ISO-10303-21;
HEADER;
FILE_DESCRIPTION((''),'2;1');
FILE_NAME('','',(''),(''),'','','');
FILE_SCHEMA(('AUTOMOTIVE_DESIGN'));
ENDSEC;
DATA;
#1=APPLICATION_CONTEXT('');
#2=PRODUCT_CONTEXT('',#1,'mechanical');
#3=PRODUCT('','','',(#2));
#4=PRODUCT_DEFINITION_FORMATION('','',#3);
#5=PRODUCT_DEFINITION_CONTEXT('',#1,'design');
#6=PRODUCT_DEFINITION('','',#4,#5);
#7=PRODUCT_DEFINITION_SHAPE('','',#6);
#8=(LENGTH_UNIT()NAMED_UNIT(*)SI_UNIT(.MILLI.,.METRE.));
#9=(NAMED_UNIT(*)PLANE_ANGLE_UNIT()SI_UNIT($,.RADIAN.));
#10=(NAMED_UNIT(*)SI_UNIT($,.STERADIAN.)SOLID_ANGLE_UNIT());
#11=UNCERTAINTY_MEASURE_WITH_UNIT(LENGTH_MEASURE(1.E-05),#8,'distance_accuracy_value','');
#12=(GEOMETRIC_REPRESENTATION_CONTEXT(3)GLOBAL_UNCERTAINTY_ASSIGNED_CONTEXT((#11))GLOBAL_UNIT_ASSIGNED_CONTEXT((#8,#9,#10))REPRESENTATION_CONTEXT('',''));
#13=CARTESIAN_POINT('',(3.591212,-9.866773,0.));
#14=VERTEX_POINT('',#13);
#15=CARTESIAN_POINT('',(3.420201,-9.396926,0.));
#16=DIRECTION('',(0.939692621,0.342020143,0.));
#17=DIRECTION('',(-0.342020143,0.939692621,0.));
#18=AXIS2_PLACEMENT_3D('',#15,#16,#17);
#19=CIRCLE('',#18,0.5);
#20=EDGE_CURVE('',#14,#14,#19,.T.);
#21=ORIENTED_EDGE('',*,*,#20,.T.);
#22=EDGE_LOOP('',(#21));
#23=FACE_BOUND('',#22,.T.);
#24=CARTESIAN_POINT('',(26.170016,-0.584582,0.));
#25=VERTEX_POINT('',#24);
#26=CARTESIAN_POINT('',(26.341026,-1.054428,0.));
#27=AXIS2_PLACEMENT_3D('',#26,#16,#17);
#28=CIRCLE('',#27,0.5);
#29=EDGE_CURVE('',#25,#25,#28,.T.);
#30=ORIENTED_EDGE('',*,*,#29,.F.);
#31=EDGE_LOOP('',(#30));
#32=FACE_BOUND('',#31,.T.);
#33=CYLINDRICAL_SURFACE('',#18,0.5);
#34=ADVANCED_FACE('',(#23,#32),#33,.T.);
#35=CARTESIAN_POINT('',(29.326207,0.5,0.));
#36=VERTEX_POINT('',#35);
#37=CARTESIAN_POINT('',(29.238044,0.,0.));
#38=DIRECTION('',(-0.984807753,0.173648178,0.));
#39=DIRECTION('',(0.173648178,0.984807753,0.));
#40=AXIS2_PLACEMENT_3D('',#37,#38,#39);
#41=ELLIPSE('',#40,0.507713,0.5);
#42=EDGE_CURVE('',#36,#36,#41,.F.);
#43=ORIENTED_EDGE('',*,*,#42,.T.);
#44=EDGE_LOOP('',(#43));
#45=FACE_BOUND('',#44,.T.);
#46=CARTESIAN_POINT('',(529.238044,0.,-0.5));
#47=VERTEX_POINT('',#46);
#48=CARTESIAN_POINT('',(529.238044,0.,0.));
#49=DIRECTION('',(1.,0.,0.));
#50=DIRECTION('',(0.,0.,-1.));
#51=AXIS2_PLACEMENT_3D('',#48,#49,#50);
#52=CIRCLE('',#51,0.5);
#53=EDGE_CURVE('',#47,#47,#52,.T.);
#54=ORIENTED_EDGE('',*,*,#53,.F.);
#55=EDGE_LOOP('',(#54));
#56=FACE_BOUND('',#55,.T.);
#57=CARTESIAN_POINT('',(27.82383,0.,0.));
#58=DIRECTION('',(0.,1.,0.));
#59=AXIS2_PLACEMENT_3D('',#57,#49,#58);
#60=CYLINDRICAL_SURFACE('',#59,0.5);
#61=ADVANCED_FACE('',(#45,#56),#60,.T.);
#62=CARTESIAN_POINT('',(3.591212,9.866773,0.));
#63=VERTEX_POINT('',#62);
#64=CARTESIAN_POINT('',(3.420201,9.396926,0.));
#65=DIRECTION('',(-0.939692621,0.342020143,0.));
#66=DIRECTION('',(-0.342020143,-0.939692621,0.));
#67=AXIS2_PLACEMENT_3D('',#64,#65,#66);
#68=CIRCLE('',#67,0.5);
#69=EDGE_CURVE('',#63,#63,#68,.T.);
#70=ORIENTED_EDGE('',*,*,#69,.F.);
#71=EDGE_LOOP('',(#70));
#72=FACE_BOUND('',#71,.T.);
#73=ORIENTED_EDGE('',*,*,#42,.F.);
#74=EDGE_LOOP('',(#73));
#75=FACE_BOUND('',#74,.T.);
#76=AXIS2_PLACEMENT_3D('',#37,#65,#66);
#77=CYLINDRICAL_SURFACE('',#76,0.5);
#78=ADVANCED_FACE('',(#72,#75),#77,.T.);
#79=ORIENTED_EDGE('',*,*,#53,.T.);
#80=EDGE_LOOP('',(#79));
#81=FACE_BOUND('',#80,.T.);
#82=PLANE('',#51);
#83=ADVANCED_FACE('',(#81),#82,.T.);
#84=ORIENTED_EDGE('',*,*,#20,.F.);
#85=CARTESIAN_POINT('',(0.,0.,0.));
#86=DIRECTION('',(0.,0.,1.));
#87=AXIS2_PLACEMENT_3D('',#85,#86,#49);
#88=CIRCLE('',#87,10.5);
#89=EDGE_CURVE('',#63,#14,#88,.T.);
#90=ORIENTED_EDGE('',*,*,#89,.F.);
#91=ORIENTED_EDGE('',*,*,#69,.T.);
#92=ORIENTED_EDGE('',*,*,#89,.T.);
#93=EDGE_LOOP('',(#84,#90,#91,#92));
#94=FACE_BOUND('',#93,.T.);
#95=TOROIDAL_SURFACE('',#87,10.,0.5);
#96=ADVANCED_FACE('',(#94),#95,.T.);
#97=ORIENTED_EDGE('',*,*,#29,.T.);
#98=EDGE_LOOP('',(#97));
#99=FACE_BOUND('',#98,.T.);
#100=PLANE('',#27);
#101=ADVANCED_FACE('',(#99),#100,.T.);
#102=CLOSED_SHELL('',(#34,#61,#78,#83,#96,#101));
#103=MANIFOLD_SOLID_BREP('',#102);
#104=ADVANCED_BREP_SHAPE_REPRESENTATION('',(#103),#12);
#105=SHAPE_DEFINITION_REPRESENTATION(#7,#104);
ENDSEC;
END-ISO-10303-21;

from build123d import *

# Parameters (mm, degrees)
ESQUISSE3_R = 0.5


with BuildPart() as part:
    # Balayage2: sweep along a path in Esquisse1
    with BuildLine(Plane.XY) as balayage2_path:
        Line((529.238044002, 0), (29.238044002, 0))
        Line((29.238044002, 0), (3.420201433, 9.396926208))
        ThreePointArc((3.420201433, 9.396926208), (-10, 0), (3.420201433, -9.396926208))
        Line((3.420201433, -9.396926208), (26.341026343, -1.054428196))
    # Esquisse3 → Balayage2 (sweep)
    with BuildSketch(Plane(origin=(529.238044002, 0, 0), x_dir=(0, 0, -1), z_dir=(1, 0, 0))):
        Circle(ESQUISSE3_R)
    sweep(path=balayage2_path.line, transition=Transition.RIGHT)


solid = part.part
